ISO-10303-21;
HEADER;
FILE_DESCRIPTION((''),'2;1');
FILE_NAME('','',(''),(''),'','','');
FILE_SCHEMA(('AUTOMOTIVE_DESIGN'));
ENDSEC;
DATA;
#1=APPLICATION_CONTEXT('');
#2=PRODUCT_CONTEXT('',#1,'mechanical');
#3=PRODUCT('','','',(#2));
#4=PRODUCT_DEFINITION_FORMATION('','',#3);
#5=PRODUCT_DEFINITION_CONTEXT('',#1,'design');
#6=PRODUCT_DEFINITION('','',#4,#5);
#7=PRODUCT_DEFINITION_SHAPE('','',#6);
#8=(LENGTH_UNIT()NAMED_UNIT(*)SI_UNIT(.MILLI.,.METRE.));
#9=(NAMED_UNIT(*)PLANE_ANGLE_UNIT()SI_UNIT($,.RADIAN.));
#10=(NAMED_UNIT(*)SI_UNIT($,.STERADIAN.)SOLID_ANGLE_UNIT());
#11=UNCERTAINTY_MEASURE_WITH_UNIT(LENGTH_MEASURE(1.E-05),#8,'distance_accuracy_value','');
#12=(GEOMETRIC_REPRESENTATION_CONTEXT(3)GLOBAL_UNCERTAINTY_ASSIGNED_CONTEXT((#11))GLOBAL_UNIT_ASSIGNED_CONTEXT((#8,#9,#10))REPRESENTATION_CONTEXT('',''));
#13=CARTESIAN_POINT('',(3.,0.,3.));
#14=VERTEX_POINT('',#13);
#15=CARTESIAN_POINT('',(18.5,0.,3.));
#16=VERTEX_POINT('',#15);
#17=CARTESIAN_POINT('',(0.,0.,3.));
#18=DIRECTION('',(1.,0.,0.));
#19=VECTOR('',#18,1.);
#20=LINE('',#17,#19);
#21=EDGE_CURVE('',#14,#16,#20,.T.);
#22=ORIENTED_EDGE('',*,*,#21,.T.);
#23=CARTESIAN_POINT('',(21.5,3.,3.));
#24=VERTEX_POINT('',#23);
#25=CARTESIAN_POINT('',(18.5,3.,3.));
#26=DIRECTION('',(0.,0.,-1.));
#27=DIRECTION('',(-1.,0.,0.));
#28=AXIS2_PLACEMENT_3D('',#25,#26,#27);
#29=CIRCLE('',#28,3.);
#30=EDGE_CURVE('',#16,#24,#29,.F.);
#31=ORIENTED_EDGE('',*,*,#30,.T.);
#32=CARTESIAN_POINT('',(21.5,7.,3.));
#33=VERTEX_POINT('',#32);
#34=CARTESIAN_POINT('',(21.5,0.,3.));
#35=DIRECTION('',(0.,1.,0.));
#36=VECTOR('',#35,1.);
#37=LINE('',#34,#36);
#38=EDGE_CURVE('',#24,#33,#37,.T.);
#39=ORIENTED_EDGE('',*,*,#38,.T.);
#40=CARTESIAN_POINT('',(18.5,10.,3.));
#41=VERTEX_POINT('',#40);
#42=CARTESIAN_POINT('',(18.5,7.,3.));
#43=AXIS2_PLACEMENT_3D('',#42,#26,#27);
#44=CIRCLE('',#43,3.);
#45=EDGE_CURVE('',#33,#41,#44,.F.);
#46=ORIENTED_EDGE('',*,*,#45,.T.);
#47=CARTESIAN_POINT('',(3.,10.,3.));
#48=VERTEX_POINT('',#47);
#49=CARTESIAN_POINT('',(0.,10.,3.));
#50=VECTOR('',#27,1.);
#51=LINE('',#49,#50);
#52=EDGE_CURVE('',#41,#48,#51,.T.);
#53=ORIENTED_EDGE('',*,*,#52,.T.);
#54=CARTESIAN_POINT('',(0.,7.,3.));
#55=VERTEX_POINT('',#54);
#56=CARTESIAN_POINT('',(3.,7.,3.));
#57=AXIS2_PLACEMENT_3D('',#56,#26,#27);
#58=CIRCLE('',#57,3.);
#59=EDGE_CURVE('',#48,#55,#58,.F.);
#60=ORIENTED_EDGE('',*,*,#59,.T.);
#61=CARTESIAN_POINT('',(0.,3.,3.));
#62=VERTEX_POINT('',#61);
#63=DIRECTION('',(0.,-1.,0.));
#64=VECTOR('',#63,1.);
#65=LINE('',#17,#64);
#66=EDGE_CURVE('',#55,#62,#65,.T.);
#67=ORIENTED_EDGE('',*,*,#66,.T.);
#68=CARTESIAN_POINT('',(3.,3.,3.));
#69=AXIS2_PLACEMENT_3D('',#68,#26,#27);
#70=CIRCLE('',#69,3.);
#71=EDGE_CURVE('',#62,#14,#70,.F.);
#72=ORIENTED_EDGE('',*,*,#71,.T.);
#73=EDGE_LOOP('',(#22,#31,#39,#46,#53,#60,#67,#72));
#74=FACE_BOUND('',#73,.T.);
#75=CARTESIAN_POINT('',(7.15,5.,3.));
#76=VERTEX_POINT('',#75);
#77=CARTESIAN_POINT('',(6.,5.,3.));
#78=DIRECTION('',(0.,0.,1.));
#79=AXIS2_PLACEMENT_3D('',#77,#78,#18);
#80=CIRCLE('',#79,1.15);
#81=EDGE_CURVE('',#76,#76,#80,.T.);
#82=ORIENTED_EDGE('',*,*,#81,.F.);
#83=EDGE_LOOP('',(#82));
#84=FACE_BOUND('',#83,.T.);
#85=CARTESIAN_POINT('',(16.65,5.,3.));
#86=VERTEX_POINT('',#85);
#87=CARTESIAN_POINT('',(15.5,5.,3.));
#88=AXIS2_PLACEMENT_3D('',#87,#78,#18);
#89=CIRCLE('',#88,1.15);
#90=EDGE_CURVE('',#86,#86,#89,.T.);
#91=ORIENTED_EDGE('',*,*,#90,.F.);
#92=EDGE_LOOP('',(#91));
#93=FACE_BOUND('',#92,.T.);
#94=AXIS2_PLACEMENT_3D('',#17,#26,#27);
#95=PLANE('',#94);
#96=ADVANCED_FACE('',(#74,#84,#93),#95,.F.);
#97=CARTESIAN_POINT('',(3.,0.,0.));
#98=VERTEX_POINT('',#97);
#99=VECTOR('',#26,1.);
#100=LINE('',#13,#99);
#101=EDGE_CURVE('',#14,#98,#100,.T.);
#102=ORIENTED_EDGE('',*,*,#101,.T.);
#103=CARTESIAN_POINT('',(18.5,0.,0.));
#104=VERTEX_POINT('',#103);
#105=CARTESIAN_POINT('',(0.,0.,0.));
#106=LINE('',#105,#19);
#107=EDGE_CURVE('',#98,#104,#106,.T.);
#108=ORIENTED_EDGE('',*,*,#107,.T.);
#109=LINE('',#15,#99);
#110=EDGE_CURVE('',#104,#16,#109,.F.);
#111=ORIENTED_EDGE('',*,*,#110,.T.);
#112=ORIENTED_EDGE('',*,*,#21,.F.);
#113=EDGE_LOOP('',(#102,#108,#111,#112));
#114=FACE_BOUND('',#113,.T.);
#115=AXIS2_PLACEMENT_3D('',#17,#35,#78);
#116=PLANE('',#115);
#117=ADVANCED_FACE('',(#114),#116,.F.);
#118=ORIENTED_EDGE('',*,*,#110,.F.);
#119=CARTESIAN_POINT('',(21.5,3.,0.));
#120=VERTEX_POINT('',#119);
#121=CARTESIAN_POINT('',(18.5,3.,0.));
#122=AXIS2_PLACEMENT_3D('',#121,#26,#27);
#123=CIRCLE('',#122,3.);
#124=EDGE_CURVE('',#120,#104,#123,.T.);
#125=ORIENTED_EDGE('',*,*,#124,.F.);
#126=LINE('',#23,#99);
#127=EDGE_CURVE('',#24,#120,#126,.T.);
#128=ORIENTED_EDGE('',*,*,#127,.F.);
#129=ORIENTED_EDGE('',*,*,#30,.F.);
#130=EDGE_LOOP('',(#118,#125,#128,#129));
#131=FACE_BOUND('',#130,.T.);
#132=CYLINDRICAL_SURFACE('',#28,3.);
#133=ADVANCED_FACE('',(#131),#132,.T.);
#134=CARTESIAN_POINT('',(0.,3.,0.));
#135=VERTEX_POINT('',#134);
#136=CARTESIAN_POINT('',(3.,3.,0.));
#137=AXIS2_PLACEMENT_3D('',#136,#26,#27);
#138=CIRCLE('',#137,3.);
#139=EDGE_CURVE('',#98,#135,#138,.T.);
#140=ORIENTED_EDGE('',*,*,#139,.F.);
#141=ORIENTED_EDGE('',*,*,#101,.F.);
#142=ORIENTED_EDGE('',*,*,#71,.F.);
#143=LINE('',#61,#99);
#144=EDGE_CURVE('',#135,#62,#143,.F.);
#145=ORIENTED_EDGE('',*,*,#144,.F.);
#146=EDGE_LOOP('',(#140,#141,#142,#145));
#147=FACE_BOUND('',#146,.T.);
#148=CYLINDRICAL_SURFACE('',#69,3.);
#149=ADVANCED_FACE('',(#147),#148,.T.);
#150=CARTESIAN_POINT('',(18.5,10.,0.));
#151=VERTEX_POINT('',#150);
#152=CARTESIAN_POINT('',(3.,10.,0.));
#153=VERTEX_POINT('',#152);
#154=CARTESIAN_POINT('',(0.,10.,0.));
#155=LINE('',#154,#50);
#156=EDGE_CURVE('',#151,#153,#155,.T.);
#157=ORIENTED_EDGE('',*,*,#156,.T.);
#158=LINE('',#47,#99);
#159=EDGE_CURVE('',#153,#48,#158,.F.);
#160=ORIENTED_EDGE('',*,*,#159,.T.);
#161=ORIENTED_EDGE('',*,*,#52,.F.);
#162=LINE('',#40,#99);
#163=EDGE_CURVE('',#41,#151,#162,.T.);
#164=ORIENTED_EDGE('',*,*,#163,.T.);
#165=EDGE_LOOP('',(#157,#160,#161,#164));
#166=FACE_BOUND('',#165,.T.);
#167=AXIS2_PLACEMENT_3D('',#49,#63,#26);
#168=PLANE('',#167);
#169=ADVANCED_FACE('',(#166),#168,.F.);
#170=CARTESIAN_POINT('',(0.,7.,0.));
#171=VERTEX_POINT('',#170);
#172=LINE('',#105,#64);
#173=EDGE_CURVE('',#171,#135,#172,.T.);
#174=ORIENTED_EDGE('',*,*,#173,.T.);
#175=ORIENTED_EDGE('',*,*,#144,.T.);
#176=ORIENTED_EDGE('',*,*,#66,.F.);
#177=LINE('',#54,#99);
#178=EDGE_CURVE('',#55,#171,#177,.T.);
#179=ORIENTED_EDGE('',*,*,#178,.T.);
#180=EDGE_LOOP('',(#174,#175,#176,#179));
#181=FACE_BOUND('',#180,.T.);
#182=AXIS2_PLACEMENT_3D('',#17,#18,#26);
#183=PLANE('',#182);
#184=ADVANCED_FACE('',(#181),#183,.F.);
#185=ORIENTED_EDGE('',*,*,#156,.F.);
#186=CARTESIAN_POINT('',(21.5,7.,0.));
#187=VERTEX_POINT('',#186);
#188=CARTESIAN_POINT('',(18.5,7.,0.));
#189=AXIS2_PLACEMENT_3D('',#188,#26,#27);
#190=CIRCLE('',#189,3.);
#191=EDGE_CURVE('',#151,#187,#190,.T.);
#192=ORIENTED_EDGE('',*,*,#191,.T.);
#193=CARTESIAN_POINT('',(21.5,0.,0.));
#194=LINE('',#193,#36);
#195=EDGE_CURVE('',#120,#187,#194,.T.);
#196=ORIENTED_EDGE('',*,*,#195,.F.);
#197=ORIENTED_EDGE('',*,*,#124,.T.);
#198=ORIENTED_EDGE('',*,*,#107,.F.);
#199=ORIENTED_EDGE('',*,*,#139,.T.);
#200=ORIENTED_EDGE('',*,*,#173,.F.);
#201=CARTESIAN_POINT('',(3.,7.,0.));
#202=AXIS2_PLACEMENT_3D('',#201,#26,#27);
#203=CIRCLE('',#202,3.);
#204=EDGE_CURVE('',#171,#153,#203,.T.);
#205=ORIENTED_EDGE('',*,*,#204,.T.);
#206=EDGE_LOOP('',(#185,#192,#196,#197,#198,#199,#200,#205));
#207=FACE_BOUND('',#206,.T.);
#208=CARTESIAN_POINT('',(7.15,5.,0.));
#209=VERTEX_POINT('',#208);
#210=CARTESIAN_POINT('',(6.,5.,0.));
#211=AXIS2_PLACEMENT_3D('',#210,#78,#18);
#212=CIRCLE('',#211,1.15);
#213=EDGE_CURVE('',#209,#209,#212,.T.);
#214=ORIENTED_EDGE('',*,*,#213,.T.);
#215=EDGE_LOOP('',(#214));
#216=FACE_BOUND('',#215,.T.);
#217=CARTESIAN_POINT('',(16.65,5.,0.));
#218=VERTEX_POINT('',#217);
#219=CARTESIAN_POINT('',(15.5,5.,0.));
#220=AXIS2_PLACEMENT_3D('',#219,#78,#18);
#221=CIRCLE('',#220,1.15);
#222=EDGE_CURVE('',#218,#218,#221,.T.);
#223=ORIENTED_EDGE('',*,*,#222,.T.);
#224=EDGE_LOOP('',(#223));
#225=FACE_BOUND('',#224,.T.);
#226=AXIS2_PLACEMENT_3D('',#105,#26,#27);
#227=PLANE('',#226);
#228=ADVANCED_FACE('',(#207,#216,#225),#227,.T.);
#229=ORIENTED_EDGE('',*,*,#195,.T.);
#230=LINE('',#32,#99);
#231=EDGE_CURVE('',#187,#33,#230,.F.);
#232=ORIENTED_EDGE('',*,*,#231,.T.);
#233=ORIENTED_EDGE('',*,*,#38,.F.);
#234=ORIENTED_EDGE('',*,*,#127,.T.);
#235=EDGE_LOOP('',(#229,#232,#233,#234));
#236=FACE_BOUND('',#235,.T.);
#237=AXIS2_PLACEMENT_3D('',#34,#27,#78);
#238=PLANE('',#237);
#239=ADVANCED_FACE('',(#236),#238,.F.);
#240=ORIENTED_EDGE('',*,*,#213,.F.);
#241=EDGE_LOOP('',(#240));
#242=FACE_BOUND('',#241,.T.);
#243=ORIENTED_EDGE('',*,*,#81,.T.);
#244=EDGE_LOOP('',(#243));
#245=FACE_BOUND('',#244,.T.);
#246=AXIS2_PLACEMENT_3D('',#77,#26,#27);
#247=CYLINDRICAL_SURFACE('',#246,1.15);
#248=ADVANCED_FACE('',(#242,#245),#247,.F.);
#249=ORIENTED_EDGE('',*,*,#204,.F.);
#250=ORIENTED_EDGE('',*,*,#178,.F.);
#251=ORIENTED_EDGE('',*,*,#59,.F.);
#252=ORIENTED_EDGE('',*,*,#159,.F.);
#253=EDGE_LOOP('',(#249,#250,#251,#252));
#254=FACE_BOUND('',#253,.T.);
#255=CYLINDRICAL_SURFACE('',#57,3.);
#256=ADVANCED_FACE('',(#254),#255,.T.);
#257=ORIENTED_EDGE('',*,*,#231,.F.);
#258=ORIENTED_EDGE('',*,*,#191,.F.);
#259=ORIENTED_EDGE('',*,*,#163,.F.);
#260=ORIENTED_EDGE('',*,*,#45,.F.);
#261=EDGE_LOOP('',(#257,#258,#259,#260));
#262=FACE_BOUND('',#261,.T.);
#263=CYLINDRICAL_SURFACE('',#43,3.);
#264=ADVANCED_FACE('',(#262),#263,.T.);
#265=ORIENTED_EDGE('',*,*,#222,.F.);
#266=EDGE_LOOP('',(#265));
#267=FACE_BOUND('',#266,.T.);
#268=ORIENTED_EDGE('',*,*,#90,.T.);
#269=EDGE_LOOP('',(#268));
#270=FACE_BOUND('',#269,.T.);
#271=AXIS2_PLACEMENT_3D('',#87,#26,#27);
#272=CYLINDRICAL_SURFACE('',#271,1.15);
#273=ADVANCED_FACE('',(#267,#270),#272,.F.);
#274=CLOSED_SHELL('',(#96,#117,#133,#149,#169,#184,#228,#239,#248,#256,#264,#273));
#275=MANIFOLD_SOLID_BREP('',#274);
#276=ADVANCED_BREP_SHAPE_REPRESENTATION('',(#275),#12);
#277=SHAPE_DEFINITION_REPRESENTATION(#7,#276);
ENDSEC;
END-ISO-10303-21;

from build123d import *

# Parameters (mm, degrees)
SKETCH_1_W      = 21.5
SKETCH_1_H      = 10
SKETCH_1_R      = 1.15
EXTRUDE_1_DEPTH = 3
FILLET_1_R      = 3


with BuildPart() as part:
    # 草图1 → 凸台-拉伸1 (new body)
    with BuildSketch(Plane.XY):
        with Locations((10.75, 5)):
            Rectangle(SKETCH_1_W, SKETCH_1_H)
        with Locations((6, 5)):
            Circle(SKETCH_1_R, mode=Mode.SUBTRACT)
        with Locations((15.5, 5)):
            Circle(SKETCH_1_R, mode=Mode.SUBTRACT)
    extrude(amount=EXTRUDE_1_DEPTH)

    # 圆角1
    fillet_1_edges = [part.edges().sort_by_distance(p)[0] for p in [
        (0, 10, 1.5),
        (21.5, 10, 1.5),
        (21.5, 0, 1.5),
        (0, 0, 1.5),
    ]]
    fillet(fillet_1_edges, radius=FILLET_1_R)


solid = part.part
